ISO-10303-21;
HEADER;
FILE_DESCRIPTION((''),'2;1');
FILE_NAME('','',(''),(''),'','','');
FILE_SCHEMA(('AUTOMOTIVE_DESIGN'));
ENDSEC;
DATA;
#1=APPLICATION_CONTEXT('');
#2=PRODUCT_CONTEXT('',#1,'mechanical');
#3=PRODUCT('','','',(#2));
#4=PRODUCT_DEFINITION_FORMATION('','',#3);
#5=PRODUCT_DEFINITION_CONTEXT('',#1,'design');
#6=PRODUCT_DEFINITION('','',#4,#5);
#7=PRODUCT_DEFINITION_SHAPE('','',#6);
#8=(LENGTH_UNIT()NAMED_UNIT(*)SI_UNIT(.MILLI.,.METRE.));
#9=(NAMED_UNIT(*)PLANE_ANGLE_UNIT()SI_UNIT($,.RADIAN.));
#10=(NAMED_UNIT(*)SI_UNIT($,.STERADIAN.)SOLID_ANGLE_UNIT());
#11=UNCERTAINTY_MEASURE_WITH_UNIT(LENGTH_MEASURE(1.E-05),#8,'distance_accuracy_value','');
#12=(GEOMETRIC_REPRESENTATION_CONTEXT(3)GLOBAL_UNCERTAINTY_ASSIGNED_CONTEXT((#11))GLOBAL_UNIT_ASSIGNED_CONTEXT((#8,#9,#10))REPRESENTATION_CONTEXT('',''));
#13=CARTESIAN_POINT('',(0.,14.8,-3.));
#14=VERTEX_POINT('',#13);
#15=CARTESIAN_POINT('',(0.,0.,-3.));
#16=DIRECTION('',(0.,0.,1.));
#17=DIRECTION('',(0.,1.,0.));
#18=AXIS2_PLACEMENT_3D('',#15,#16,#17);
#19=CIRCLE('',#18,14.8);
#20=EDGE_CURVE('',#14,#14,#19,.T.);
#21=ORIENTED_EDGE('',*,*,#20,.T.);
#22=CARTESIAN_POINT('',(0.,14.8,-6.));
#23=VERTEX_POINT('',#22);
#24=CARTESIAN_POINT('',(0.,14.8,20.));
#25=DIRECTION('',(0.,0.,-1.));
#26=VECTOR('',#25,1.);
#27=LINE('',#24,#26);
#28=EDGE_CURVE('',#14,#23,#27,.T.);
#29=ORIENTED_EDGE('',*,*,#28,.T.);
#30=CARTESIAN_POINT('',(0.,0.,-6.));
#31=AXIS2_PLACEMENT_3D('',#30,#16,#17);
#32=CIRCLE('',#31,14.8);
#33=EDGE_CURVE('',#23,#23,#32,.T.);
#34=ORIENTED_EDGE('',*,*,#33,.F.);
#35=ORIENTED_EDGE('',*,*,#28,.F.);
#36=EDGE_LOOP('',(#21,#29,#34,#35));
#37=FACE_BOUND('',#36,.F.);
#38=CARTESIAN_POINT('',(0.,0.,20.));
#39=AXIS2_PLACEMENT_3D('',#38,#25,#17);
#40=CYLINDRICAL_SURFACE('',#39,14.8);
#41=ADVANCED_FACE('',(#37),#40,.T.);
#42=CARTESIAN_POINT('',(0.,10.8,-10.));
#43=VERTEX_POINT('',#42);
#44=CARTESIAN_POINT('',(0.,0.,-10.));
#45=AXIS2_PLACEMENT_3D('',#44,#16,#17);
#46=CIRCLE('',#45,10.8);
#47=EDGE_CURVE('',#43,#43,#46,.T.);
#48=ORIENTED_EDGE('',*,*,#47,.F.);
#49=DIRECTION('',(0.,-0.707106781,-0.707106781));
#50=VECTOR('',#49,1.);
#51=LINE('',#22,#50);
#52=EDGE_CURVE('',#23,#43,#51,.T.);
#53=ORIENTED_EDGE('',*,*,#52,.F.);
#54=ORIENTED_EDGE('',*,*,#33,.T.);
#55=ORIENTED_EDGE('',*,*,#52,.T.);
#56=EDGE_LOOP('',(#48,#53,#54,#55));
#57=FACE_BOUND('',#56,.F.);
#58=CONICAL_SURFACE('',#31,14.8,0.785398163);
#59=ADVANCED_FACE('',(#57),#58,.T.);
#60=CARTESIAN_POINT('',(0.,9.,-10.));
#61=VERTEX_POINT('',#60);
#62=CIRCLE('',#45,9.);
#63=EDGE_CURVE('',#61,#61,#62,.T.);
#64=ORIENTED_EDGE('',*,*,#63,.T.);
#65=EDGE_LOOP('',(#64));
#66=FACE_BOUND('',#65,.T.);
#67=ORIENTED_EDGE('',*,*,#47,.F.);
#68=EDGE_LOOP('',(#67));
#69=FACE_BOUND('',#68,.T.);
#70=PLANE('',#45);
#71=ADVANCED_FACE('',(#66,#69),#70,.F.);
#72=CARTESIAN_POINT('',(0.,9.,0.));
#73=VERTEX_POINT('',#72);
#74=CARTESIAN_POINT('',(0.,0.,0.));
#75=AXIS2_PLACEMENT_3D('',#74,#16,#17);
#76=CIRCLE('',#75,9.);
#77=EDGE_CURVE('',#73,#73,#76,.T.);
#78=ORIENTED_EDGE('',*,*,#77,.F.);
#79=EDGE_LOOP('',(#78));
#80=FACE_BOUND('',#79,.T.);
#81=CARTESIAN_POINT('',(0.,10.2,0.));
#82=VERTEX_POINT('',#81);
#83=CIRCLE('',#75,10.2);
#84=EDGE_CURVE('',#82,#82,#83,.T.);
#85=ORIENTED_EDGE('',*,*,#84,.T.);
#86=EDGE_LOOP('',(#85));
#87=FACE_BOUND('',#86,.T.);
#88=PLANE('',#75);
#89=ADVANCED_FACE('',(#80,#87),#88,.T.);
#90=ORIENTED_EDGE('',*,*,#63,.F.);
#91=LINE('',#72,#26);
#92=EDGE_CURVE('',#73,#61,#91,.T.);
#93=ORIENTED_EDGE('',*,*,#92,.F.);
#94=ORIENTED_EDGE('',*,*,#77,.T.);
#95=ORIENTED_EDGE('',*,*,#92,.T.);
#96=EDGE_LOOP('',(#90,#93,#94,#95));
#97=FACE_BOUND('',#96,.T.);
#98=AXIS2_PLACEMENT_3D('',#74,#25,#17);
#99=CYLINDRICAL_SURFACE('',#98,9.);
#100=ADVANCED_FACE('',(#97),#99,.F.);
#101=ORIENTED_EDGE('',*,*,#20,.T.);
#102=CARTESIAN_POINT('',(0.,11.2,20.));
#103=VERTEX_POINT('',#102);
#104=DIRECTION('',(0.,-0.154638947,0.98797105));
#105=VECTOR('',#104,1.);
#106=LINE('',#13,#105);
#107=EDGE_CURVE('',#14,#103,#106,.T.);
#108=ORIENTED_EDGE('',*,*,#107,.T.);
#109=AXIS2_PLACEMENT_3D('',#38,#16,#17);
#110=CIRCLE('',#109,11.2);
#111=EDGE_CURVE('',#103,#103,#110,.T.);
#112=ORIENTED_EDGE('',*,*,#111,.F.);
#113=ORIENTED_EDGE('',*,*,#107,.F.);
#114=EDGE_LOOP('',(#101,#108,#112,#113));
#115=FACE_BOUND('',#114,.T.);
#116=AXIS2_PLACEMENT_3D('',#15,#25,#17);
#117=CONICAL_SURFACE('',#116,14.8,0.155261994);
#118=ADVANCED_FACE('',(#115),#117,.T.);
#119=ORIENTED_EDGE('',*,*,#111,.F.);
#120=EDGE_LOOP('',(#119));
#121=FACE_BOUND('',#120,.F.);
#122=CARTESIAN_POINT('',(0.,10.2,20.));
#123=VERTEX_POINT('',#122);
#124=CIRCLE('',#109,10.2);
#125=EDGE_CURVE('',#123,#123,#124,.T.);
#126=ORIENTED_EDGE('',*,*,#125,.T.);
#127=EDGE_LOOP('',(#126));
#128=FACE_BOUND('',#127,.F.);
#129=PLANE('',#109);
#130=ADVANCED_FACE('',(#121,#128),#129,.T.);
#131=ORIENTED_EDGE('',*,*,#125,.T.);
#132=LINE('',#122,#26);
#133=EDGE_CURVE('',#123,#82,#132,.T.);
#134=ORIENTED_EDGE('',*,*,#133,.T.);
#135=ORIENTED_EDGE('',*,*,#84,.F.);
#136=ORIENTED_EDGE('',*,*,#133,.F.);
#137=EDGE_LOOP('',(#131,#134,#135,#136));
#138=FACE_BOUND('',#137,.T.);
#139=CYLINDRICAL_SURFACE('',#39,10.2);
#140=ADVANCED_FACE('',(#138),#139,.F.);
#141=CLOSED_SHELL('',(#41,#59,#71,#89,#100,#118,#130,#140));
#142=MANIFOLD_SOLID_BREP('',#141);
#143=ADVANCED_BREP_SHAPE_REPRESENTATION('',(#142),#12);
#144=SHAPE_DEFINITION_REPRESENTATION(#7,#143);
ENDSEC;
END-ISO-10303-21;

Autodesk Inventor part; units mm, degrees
ref_plane "YZ Plane" through (0, 0, 0) normal (1, 0, 0) x (0, 1, 0)
ref_plane "XZ Plane" through (0, 0, 0) normal (0, 1, 0) x (-1, 0, 0)
ref_plane "XY Plane" through (0, 0, 0) normal (0, 0, 1) x (1, 0, 0)
sketch "スケッチ1" plane through (0, 0, 0) normal (1, 0, 0) x (0, 1, 0)
  line L0 (10.2, 20) -> (10.2, 0)
  line L1 (10.2, 0) -> (9, 0)
  line L2 (9, 0) -> (9, -10)
  line L3 (9, -10) -> (14.8, -10)
  line L4 (0, -16) -> (0, 26) projected
  line L5 (10.2, 20) -> (14.8, 20)
  line L6 (14.8, 20) -> (14.8, -10)
  point P0 (0, 0)
  dimension "d2" = 10
  dimension "d3" = 10.2
  dimension "d12" = 9
  dimension "d14" = 14.8
  dimension "d15" = 20
revolve "回転1" add sketch "スケッチ1" angle 360 about axis through (0, 0, -10) along (0, 0, 1)
thread "ねじ1" size "M18x2" class "6H" standard "ISO Metric profile" full length
chamfer "面取り1" distance 23 distance2 3.6 1 edges at (0, -14.8, 20) measured on face at (1.1909, 14.752, 0)
chamfer "面取り2" distance 4 angle 45 1 edges at (0, -14.8, -10)
properties part number "rod330_end_cap" material "ステンレス鋼"
